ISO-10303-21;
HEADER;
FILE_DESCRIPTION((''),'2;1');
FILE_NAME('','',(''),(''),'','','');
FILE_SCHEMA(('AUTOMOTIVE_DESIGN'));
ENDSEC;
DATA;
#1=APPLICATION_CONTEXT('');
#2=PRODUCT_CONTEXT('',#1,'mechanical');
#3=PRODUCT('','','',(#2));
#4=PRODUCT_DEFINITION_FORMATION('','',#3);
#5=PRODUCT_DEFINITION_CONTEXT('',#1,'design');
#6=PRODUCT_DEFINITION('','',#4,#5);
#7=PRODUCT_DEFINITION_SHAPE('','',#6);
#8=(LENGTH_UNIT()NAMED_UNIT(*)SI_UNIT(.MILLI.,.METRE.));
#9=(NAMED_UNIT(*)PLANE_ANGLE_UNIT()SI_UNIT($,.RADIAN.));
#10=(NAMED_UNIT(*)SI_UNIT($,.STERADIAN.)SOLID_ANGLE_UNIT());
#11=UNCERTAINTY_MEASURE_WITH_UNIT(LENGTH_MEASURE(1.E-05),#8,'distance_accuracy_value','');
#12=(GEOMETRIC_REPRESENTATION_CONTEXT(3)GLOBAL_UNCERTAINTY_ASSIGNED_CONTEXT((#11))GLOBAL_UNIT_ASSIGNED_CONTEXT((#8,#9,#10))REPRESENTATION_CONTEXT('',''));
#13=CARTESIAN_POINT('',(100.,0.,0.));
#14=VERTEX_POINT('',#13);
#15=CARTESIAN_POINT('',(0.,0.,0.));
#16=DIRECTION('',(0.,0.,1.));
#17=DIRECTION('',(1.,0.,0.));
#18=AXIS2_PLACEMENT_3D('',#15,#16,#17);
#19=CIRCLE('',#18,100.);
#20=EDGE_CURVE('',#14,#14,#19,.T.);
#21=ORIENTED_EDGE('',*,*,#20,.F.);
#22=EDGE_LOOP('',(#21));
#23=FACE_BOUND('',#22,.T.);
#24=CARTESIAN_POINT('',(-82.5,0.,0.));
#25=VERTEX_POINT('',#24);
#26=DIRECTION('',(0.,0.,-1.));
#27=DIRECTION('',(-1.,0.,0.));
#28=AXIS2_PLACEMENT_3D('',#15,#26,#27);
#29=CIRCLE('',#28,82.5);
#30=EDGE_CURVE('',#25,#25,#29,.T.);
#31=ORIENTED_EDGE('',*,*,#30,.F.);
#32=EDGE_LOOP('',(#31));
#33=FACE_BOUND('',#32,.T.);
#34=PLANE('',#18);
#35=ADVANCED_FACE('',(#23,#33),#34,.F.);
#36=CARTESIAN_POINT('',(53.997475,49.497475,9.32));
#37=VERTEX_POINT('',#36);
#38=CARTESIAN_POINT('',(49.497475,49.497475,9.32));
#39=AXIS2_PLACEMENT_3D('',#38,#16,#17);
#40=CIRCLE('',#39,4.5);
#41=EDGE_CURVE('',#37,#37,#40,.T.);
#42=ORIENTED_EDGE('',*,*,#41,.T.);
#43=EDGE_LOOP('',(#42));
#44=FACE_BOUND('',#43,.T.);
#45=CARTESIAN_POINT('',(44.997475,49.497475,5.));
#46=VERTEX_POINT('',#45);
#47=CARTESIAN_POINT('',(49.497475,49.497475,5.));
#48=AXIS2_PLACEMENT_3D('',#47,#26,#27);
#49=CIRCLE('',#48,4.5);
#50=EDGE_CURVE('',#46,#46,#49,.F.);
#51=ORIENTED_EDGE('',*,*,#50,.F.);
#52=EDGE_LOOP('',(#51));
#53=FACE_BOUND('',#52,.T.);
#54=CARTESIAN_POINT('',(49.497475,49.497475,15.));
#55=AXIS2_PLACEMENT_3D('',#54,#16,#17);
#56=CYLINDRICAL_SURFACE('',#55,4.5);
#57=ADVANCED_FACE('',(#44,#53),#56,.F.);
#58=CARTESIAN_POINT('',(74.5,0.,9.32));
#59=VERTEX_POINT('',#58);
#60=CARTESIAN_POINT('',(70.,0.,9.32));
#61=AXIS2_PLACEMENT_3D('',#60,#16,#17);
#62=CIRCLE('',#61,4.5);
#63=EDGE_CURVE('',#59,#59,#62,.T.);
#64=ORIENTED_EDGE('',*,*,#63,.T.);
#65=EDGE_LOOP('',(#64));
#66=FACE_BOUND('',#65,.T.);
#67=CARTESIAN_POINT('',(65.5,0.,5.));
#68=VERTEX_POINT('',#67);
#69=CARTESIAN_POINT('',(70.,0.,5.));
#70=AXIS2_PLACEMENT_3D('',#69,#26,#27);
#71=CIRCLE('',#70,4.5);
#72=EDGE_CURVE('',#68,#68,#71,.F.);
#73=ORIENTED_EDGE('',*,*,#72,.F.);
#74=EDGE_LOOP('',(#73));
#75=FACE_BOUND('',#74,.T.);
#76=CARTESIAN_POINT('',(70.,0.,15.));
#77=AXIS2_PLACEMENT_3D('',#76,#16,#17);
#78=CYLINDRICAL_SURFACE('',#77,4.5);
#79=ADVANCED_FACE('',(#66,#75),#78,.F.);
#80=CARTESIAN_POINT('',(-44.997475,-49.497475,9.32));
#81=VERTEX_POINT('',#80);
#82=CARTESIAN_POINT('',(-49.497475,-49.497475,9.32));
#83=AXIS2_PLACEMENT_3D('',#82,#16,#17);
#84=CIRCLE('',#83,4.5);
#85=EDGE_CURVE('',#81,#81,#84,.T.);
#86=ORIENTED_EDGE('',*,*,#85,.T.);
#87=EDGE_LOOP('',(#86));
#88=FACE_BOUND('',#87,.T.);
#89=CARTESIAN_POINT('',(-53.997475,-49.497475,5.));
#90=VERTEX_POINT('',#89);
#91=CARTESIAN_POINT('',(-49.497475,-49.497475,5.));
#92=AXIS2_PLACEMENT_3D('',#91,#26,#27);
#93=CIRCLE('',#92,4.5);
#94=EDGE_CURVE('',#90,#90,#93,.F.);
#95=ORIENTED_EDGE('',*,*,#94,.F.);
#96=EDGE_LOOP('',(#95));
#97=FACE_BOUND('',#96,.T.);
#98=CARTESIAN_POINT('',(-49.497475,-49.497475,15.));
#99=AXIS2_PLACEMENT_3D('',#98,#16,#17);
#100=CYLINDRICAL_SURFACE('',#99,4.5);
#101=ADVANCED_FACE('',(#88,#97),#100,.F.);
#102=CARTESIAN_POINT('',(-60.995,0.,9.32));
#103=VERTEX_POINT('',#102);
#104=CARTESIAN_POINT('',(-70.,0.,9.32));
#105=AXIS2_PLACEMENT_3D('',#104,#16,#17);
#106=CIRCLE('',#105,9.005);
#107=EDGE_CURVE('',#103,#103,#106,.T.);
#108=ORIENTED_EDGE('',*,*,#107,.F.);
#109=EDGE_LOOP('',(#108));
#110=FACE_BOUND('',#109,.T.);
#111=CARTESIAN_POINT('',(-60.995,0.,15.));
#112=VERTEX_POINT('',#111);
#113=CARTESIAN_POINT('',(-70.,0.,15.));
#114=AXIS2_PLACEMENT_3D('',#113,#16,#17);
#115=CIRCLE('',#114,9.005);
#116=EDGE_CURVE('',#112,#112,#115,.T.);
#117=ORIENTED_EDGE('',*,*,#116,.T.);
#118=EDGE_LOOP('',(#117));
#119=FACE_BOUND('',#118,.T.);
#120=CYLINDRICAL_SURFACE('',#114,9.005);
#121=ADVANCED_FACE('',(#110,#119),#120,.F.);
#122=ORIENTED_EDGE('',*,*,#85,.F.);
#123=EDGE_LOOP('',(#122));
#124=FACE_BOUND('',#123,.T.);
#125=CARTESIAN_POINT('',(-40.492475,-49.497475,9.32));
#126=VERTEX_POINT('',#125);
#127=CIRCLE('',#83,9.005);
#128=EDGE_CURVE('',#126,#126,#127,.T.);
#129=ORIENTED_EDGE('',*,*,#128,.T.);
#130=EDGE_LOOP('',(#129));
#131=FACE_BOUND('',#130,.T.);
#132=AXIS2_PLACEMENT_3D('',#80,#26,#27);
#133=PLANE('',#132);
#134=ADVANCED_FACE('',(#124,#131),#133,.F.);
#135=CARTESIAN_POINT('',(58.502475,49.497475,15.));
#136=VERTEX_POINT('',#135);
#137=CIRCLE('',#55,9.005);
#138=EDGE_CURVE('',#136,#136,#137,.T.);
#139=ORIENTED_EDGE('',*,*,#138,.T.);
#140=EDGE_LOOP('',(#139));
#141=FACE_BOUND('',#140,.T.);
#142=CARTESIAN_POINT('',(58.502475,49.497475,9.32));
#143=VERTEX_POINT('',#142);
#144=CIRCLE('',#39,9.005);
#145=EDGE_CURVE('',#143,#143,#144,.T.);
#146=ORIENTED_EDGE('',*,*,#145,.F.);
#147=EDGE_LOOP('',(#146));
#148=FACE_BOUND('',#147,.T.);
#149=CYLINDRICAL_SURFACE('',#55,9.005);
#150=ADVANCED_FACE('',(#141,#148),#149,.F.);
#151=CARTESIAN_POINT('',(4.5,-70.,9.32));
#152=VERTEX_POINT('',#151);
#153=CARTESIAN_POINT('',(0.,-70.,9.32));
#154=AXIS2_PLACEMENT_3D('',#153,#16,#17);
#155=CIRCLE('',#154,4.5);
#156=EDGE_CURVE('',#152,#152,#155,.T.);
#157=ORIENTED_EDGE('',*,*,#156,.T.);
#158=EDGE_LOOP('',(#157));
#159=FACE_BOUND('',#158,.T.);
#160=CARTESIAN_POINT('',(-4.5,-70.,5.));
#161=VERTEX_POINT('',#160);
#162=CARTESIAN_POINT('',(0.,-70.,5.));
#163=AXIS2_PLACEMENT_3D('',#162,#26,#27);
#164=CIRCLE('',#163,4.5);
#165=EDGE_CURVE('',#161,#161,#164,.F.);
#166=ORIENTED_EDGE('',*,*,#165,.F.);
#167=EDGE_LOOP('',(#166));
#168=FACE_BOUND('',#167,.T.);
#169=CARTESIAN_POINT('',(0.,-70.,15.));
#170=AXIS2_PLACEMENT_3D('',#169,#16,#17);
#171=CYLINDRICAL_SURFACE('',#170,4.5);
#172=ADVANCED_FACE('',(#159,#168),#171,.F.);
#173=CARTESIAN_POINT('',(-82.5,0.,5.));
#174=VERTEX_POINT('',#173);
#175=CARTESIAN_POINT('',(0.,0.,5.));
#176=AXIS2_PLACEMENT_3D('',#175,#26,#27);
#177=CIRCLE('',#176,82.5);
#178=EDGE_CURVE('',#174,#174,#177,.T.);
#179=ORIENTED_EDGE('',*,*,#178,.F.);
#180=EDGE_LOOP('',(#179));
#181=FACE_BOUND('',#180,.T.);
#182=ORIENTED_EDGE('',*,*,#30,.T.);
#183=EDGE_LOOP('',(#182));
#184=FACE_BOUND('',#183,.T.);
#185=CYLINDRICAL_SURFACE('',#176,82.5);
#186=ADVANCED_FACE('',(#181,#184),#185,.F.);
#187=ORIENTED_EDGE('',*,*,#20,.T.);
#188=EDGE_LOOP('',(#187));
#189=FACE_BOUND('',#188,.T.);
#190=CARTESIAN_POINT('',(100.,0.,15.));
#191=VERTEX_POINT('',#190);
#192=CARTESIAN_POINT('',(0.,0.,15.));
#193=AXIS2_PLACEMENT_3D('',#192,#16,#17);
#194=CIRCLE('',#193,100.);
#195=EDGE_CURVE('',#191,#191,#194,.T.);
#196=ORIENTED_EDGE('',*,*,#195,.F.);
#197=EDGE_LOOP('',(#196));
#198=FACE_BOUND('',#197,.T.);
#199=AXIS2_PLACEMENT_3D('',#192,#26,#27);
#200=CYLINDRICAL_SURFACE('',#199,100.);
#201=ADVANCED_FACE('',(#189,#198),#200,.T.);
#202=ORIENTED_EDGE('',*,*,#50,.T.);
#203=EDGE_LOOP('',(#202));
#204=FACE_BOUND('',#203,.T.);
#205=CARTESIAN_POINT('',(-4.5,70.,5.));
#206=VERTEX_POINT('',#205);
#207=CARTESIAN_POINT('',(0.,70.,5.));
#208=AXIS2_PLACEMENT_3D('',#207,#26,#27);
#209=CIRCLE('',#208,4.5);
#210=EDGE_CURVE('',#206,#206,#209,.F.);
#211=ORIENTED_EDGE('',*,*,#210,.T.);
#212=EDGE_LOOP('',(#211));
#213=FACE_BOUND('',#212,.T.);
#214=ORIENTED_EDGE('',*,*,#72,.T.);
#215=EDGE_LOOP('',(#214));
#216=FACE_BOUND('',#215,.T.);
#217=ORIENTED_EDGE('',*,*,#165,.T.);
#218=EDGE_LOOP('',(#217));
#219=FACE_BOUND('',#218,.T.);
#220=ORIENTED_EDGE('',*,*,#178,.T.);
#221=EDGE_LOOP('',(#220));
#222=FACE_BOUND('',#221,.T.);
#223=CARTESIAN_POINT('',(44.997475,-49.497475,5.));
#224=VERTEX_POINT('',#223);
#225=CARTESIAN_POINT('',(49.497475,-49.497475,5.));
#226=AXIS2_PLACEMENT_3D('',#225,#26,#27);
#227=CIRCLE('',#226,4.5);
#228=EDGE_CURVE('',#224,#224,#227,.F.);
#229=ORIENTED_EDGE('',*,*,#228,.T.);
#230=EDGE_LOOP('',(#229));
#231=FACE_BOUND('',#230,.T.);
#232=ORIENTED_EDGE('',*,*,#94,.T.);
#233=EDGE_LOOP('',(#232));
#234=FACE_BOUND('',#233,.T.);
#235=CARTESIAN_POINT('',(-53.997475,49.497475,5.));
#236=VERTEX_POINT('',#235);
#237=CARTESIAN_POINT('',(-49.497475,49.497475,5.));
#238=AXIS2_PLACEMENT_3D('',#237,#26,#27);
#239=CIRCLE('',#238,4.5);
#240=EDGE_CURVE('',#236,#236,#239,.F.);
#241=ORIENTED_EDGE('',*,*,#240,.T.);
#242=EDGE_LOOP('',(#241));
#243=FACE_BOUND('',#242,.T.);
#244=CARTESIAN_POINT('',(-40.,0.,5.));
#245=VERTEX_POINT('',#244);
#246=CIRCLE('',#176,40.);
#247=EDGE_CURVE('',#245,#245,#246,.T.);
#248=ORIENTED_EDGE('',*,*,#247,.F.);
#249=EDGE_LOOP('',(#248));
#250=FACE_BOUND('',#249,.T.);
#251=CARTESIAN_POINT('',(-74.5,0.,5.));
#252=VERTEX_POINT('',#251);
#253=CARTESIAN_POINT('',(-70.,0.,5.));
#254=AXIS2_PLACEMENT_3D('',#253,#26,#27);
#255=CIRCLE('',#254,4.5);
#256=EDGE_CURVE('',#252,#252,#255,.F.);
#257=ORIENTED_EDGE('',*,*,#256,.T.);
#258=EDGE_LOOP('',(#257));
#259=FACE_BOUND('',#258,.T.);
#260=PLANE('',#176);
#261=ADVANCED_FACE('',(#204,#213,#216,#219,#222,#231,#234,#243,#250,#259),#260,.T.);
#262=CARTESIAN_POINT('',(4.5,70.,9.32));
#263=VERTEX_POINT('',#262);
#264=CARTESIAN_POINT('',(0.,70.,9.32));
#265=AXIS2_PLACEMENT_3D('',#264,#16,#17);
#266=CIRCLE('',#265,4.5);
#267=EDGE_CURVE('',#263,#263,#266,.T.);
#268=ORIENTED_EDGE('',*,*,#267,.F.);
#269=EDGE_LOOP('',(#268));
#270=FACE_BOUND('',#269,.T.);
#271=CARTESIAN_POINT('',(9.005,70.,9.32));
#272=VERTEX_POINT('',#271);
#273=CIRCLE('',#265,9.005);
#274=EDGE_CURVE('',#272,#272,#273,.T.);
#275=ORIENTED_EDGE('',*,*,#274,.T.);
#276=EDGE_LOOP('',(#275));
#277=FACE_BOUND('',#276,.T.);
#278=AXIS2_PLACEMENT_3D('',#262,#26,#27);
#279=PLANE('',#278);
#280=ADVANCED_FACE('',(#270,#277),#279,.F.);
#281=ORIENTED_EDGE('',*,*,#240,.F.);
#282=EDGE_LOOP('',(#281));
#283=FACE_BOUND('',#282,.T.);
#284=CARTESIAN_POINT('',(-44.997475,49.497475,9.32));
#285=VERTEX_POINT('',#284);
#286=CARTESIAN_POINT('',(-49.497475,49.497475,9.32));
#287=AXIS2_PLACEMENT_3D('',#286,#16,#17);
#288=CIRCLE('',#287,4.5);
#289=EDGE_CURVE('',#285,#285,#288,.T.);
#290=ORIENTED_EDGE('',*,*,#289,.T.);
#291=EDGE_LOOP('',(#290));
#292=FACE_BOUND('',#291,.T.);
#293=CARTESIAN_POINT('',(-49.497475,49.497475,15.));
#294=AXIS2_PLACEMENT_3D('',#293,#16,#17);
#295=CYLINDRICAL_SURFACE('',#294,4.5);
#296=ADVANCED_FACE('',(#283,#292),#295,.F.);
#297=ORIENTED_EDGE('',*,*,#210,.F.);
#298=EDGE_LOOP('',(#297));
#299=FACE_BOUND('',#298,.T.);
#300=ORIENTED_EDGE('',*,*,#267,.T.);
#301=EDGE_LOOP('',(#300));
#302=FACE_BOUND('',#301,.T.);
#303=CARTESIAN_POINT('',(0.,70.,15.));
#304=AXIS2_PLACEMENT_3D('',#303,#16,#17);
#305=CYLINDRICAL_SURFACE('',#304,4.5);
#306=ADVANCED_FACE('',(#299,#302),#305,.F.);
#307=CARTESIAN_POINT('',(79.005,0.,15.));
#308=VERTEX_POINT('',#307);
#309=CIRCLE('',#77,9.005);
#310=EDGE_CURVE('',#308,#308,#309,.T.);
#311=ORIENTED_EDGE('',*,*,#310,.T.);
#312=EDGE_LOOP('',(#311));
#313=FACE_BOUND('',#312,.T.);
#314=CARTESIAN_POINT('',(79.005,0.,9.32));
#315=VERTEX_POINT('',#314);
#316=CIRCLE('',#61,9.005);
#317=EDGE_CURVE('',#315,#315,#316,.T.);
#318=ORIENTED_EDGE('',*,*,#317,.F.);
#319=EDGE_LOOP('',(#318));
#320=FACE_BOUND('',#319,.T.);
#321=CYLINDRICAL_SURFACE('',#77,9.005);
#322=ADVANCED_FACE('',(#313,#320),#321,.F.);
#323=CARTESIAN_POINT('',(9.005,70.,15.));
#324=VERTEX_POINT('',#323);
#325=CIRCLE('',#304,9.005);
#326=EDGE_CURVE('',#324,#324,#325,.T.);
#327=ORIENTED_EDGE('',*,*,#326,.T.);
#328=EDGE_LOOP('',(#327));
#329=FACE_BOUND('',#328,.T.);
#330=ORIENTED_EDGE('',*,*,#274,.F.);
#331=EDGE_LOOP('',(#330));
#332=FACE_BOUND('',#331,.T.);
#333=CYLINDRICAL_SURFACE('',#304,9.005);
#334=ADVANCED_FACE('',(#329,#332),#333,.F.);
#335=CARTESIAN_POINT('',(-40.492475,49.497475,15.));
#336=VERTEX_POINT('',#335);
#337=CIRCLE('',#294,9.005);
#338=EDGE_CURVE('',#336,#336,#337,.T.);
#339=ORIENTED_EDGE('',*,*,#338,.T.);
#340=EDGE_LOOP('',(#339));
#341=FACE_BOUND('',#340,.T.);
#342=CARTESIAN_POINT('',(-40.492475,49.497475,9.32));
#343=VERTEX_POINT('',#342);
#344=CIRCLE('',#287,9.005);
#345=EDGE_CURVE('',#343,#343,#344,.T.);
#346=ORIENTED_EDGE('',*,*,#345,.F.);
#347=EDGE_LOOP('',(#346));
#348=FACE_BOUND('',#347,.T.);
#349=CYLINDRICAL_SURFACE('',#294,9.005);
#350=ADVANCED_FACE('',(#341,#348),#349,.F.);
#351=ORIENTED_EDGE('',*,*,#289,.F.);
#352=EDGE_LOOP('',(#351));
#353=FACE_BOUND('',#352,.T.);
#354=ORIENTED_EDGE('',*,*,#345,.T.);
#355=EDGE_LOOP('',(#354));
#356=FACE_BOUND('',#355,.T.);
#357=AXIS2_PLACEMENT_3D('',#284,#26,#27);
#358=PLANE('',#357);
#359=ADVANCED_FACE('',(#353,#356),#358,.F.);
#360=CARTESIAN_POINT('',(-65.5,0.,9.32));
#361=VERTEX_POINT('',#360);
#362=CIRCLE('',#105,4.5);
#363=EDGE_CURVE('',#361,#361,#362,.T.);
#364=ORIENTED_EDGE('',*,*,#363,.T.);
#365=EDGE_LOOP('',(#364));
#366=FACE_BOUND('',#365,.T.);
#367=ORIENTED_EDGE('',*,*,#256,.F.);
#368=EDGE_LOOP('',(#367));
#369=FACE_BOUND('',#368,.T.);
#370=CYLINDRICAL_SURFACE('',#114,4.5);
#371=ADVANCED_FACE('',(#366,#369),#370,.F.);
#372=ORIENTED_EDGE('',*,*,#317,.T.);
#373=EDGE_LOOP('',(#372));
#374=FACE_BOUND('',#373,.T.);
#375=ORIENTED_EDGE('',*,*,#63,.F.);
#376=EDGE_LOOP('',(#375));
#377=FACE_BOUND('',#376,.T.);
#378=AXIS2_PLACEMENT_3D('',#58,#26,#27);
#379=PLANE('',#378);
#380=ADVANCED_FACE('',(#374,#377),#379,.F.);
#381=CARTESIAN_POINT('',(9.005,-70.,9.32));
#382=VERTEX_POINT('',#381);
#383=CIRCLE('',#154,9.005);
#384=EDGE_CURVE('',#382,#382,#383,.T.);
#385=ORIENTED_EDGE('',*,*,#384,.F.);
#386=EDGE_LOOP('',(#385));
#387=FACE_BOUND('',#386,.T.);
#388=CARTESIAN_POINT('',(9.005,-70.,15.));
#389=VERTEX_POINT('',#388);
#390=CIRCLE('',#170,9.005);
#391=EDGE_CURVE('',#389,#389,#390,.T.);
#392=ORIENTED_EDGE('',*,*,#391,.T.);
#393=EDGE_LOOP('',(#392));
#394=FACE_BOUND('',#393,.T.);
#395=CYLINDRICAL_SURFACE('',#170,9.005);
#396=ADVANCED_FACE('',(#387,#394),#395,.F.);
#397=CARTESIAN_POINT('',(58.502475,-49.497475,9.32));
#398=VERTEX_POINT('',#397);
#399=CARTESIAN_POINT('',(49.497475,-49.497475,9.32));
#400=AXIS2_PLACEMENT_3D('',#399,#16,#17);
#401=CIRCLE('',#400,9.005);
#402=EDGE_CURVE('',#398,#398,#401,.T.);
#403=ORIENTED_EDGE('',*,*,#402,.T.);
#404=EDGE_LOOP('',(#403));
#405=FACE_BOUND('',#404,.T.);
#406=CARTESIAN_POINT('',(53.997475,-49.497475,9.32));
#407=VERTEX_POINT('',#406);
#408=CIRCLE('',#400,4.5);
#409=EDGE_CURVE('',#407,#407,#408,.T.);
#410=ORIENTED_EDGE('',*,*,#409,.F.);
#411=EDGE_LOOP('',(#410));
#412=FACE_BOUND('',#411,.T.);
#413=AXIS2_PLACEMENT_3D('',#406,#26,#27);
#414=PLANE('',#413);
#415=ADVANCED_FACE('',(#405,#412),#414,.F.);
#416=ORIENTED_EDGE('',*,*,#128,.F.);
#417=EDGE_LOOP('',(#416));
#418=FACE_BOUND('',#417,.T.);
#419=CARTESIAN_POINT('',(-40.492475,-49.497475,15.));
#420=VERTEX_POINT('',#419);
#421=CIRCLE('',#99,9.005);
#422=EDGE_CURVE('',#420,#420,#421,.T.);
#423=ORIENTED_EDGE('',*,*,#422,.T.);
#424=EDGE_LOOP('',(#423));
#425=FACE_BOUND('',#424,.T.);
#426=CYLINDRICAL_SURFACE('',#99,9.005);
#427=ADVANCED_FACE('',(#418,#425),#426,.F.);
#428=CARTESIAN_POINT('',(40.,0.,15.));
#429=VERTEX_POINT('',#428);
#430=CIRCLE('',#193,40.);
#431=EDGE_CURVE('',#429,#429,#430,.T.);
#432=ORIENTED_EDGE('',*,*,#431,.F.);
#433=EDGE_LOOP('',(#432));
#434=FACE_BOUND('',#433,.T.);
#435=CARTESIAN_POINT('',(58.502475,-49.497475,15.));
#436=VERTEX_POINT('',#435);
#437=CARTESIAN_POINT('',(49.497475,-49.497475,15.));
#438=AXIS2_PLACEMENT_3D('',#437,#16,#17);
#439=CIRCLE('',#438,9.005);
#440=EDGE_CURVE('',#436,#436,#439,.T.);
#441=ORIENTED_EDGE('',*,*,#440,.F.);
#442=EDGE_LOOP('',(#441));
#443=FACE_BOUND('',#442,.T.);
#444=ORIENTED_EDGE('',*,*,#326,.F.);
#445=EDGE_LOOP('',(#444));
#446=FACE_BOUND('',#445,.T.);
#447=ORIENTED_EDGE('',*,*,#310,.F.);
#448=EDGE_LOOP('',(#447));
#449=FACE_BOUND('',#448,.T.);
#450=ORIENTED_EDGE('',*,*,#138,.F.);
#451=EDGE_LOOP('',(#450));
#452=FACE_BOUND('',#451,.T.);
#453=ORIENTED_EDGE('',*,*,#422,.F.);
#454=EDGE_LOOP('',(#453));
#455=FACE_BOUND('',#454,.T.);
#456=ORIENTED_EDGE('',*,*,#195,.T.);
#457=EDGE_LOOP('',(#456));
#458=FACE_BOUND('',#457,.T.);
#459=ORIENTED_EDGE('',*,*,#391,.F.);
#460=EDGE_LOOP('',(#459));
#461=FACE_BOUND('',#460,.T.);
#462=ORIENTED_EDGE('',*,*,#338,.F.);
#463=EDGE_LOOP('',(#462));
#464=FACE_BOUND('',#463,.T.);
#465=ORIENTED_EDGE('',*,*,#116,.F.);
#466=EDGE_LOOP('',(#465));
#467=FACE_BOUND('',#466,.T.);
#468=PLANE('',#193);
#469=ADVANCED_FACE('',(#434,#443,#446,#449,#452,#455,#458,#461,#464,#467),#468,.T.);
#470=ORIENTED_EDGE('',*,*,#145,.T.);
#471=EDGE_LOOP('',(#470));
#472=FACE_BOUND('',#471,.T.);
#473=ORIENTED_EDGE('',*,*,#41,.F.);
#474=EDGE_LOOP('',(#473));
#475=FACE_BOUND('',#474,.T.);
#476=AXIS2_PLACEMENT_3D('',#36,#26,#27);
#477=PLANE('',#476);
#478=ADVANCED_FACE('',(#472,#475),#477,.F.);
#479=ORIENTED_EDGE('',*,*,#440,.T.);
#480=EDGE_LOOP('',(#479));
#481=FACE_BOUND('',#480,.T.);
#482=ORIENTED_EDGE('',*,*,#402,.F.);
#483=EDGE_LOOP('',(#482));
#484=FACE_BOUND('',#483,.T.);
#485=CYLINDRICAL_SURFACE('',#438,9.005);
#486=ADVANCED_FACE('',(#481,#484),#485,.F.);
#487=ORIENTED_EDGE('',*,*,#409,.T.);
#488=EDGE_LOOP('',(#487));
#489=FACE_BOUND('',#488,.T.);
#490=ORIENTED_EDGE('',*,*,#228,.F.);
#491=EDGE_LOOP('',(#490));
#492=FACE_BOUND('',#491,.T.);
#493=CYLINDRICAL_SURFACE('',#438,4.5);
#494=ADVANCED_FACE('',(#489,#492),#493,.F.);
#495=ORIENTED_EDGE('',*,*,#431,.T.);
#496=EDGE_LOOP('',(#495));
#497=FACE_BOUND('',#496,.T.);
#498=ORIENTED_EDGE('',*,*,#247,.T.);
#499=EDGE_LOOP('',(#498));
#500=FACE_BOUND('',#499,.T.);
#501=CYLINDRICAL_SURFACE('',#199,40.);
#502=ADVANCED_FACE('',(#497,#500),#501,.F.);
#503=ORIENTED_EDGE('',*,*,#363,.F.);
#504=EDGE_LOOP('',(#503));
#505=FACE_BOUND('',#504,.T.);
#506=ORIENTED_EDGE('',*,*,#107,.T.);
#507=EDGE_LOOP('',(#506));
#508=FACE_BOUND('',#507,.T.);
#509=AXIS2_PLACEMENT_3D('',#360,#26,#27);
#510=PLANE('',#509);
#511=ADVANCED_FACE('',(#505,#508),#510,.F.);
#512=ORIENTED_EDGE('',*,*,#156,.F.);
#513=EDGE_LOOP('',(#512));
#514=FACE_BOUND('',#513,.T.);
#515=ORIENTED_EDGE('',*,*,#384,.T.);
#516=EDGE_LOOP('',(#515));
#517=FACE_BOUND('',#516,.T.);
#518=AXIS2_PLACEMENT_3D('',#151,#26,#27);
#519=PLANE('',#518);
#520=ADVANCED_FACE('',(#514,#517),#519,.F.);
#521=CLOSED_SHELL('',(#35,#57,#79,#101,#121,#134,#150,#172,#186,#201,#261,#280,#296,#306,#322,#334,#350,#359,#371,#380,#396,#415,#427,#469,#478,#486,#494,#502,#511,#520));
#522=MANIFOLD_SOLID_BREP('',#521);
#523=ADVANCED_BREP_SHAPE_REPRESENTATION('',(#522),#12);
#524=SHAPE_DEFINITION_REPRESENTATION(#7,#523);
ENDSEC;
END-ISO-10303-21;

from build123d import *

# Parameters (mm, degrees)
SKETCH1_R                               = 100
SKETCH1_R_2                             = 40
BOSS_EXTRUDE1_DEPTH                     = 15
CBORE_FOR_M8_HEX_HEAD_BOLT1_D           = 9
CBORE_FOR_M8_HEX_HEAD_BOLT1_CBORE_D     = 18.01
CBORE_FOR_M8_HEX_HEAD_BOLT1_CBORE_DEPTH = 5.68
CIRPATTERN1_COUNT                       = 8
SKETCH5_R                               = 82.5
CUT_EXTRUDE2_DEPTH                      = 5


with BuildPart() as part:
    # Sketch1 → Boss-Extrude1 (new body)
    with BuildSketch(Plane.XY):
        Circle(SKETCH1_R)
        Circle(SKETCH1_R_2, mode=Mode.SUBTRACT)
    extrude(amount=BOSS_EXTRUDE1_DEPTH)

    # CBORE for M8 Hex Head Bolt1 (through all)
    with Locations(Plane.XY.offset(15)):
        with Locations((0, 70)):
            cbore_for_m8_hex_head_bolt1 = CounterBoreHole(CBORE_FOR_M8_HEX_HEAD_BOLT1_D / 2, CBORE_FOR_M8_HEX_HEAD_BOLT1_CBORE_D / 2, CBORE_FOR_M8_HEX_HEAD_BOLT1_CBORE_DEPTH)

    # CirPattern1: CBORE for M8 Hex Head Bolt1 ×8 about axis
    cirpattern1_axis = Axis((0, 0, 0), (0, 0, 1))
    for i in range(1, CIRPATTERN1_COUNT):
        add(cbore_for_m8_hex_head_bolt1.rotate(cirpattern1_axis, i * 360 / CIRPATTERN1_COUNT), mode=Mode.SUBTRACT)

    # Sketch5 → Cut-Extrude2 (cut)
    with BuildSketch(Plane(origin=(0, 0, 0), x_dir=(-1, 0, 0), z_dir=(0, 0, -1))):
        Circle(SKETCH5_R)
    extrude(amount=-CUT_EXTRUDE2_DEPTH, mode=Mode.SUBTRACT)


solid = part.part
